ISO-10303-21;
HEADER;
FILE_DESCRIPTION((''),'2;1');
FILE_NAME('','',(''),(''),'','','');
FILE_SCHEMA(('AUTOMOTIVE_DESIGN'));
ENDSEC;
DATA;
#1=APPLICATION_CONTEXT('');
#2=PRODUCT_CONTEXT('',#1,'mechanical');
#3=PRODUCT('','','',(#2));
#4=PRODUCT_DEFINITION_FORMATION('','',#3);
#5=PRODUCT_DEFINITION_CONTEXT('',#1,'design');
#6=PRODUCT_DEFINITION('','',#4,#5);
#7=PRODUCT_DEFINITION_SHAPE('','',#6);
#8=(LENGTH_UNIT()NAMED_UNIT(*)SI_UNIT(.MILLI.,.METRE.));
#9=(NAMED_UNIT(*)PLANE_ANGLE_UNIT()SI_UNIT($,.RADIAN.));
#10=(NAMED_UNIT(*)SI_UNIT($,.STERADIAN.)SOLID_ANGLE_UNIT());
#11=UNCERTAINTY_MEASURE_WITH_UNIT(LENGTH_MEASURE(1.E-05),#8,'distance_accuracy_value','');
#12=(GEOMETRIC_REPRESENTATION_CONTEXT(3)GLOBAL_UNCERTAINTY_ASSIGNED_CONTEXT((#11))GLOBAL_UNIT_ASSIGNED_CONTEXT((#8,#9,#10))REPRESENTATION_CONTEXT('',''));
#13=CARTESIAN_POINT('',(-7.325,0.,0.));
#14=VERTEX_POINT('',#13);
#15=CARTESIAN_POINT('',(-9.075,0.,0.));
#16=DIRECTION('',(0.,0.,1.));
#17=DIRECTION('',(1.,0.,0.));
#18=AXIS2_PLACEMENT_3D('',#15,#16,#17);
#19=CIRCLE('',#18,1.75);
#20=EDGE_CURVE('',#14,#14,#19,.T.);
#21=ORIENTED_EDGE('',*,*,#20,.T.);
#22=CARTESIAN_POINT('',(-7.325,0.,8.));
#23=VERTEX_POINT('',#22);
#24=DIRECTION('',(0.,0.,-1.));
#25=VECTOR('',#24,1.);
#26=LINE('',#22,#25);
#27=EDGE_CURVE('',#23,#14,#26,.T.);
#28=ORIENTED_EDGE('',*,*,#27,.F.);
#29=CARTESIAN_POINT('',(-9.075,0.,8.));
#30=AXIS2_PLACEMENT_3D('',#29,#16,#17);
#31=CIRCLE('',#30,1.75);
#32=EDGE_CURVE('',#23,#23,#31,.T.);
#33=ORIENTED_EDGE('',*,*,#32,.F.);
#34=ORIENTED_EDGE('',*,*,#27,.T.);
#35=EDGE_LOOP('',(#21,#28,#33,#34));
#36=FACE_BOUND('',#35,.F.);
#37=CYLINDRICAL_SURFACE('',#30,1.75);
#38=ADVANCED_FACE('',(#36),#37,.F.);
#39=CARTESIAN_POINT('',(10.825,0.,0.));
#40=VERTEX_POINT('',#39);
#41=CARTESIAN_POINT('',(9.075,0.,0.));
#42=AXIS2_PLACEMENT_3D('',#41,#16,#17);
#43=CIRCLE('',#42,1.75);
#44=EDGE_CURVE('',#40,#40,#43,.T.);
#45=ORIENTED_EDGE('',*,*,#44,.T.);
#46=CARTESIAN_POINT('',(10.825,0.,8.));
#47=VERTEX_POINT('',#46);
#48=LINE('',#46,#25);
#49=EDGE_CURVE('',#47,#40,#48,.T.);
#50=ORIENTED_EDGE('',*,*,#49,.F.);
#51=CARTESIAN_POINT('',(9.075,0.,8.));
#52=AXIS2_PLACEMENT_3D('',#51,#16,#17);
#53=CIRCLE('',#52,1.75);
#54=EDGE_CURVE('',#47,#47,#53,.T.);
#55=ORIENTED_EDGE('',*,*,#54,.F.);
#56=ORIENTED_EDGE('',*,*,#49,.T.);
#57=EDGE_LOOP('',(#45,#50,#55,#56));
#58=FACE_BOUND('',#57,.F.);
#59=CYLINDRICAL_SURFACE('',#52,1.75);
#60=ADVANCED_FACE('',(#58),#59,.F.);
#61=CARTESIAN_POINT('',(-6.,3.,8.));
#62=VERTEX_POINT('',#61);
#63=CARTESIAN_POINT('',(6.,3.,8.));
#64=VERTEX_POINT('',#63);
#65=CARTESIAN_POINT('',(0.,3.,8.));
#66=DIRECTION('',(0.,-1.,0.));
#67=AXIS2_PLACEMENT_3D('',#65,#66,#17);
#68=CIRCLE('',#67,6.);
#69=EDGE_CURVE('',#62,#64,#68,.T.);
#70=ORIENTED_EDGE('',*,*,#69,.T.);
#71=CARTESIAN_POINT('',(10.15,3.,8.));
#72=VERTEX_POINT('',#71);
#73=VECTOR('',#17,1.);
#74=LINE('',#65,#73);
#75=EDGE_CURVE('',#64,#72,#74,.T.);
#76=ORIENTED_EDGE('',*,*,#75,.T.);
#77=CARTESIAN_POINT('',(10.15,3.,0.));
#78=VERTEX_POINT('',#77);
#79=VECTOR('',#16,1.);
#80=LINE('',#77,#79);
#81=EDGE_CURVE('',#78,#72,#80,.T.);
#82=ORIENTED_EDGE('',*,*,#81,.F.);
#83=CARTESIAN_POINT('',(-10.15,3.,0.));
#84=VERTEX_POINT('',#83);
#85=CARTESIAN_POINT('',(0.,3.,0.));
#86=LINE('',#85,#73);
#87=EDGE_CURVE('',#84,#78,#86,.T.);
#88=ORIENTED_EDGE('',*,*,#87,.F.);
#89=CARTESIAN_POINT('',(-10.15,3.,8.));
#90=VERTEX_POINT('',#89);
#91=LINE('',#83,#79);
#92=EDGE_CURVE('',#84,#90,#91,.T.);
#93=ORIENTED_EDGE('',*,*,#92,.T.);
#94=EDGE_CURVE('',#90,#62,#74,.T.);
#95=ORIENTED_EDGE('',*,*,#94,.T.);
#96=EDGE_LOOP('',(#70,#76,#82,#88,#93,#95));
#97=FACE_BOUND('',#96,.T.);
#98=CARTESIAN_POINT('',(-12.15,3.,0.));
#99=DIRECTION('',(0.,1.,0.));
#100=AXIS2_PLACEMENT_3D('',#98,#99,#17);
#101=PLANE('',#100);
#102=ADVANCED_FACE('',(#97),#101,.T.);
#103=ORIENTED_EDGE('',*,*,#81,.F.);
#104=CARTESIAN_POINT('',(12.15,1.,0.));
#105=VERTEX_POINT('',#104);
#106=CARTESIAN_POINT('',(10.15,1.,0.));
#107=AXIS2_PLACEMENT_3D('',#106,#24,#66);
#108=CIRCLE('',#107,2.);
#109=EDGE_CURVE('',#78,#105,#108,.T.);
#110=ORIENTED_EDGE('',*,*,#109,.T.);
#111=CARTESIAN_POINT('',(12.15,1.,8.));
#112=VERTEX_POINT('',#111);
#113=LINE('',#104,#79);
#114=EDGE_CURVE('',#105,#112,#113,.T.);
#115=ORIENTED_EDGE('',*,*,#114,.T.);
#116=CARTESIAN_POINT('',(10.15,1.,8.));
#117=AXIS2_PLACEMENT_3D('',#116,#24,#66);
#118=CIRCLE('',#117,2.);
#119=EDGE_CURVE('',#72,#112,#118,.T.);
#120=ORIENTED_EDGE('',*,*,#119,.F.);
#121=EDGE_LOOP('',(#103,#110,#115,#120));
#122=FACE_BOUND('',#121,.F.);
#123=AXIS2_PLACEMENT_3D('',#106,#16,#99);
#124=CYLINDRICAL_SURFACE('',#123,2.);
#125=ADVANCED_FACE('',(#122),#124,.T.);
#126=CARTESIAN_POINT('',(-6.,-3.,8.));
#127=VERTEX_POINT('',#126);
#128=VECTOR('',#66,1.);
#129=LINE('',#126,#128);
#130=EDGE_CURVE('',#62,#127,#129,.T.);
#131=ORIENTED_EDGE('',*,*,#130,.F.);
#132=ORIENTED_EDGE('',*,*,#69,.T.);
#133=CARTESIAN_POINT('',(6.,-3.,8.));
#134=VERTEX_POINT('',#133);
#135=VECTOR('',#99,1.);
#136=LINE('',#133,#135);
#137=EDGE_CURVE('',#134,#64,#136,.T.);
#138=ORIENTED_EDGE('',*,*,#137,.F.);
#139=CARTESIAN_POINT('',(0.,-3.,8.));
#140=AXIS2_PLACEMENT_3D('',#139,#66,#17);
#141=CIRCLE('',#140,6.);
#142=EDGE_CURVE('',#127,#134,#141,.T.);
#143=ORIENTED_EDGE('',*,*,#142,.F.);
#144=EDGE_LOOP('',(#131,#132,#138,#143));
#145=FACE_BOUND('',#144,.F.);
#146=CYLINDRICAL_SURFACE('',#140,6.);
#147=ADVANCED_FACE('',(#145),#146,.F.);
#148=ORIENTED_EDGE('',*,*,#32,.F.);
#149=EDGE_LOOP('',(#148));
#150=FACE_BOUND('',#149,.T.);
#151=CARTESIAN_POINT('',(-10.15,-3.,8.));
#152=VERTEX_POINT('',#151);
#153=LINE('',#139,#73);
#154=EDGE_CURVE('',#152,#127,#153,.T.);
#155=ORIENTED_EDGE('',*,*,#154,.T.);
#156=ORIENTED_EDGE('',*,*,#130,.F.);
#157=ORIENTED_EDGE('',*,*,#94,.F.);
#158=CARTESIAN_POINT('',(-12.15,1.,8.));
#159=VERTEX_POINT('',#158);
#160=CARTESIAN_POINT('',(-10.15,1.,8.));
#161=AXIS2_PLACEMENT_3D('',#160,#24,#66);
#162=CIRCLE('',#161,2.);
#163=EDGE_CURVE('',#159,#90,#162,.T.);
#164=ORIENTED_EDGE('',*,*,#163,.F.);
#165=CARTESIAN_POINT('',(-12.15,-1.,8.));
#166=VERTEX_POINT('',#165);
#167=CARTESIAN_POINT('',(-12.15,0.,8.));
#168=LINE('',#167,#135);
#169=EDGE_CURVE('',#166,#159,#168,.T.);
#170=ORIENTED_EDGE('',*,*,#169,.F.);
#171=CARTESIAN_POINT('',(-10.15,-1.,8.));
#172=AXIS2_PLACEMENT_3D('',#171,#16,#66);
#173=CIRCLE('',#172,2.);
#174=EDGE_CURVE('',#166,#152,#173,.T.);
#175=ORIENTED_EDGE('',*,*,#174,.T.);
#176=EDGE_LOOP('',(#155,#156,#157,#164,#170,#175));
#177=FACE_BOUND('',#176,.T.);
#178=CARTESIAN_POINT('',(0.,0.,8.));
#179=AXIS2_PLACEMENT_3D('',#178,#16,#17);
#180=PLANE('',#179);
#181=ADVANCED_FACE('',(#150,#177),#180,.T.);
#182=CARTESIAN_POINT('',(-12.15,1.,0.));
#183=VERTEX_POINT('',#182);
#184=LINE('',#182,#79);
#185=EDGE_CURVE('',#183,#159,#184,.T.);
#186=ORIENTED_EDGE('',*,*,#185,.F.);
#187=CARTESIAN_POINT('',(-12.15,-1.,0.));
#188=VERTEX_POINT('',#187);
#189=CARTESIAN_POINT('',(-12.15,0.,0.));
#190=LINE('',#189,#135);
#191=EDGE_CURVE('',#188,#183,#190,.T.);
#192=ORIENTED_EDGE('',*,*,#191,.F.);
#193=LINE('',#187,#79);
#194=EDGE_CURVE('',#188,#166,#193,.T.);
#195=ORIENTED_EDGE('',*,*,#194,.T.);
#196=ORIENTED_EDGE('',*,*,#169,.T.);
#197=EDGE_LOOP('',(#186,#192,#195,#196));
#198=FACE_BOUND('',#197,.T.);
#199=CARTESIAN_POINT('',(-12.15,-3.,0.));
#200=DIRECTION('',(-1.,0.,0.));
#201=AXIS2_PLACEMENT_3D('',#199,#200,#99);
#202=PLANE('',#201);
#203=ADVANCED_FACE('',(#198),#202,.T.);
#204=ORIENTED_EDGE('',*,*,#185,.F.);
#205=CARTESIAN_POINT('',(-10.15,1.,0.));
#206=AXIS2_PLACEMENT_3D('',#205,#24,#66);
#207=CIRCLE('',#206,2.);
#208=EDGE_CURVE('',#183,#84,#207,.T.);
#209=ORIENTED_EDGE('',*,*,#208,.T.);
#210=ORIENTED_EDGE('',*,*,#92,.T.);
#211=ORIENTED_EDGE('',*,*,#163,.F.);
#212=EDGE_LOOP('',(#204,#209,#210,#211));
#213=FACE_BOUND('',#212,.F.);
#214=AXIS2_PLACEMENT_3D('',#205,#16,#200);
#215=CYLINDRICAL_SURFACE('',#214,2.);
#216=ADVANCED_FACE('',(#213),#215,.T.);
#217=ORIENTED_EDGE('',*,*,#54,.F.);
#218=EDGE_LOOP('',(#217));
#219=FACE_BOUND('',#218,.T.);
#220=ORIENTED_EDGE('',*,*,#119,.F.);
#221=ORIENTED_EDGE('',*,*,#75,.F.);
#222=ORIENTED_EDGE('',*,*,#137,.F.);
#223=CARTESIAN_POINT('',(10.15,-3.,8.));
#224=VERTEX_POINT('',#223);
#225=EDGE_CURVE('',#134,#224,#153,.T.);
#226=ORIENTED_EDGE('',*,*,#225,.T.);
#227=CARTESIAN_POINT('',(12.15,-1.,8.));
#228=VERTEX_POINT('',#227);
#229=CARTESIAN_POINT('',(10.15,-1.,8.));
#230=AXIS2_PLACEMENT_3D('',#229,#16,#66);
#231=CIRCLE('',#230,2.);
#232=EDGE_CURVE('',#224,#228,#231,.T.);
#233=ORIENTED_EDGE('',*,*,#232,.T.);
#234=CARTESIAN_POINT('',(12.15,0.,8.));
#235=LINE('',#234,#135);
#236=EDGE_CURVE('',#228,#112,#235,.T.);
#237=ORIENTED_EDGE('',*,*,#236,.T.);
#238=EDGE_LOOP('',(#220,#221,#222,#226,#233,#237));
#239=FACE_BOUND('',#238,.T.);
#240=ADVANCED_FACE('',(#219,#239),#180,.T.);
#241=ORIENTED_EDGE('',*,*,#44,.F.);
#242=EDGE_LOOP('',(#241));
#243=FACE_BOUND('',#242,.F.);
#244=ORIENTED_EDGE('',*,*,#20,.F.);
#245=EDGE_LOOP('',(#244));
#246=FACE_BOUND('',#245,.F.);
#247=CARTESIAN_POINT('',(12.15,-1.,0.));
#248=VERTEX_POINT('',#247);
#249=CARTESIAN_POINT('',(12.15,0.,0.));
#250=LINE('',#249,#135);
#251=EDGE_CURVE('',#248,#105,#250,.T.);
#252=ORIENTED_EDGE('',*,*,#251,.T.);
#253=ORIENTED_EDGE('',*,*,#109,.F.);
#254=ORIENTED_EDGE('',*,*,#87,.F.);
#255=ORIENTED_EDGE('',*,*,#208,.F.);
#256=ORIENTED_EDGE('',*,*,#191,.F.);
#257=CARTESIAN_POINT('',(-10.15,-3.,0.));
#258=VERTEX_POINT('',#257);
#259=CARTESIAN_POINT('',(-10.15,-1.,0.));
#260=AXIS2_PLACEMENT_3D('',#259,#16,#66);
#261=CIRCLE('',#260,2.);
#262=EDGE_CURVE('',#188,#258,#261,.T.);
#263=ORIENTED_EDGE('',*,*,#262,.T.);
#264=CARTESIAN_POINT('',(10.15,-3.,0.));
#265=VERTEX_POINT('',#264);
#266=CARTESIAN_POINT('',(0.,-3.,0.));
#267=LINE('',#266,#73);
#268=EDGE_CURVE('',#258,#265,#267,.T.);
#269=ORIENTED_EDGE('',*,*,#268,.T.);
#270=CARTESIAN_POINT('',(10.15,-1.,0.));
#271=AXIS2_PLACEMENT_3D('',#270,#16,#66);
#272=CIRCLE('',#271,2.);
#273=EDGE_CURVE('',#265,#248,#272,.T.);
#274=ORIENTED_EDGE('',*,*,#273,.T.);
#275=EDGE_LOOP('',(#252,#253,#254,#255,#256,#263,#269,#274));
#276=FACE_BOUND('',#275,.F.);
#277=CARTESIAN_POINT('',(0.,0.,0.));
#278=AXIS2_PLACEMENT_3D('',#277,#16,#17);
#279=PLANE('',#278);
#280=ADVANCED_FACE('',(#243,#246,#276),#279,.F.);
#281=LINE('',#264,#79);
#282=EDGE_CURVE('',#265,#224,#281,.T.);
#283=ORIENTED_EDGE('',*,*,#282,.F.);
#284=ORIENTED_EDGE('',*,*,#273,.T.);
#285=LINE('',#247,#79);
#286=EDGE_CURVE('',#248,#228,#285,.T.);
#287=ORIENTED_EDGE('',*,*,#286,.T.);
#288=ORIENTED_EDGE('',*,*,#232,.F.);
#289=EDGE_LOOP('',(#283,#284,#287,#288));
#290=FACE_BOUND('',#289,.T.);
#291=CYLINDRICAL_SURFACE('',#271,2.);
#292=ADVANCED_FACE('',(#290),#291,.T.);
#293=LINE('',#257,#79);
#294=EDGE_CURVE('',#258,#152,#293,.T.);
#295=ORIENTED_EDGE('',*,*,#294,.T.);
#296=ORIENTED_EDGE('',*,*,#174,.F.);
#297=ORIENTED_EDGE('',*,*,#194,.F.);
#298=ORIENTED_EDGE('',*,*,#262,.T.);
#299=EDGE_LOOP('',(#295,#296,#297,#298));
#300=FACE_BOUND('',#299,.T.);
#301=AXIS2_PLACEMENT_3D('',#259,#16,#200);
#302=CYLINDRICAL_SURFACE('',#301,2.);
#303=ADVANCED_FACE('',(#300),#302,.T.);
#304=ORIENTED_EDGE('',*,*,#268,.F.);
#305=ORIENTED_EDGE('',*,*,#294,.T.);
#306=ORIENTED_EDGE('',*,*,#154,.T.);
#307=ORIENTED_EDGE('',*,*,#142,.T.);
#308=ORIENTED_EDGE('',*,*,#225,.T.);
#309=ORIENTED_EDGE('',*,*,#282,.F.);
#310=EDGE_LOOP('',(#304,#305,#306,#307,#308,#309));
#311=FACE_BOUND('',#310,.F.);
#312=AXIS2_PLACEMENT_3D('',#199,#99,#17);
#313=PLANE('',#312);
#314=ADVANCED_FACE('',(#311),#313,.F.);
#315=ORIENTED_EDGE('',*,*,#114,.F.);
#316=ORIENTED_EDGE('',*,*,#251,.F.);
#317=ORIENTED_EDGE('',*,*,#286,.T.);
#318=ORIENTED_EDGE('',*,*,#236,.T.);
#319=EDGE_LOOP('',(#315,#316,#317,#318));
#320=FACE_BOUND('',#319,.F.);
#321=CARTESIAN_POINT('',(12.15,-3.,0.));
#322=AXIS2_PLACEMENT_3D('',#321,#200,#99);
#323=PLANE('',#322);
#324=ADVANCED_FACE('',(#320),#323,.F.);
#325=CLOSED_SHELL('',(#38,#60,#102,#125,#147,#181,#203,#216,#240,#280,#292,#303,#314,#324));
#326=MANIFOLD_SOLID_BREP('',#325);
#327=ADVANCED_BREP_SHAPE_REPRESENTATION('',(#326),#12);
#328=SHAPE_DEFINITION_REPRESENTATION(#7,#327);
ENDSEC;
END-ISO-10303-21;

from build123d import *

# Parameters (mm, degrees)
F0_W     = 24.3
F0_H     = 6
F1_DEPTH = 8
F2_R     = 6
F3_DEPTH = 6.001
F4_R     = 1.75
F5_DEPTH = 8.001
F6_R     = 2


with BuildPart() as f1:
    # F0 (on Top) → F1 (new body)
    with BuildSketch(Plane.XY):
        Rectangle(F0_W, F0_H)
    extrude(amount=F1_DEPTH)

    # F2 (on face) → F3 (cut, through all)
    with BuildSketch(Plane.XZ.offset(3)):
        with Locations((0, 8)):
            Circle(F2_R)
    extrude(amount=-F3_DEPTH, mode=Mode.SUBTRACT)

    # F4 (on face) → F5 (cut, through all)
    with BuildSketch(Plane.XY.offset(8)):
        with Locations((-9.075, 0)):
            Circle(F4_R)
        with Locations((9.075, 0)):
            Circle(F4_R)
    extrude(amount=-F5_DEPTH, mode=Mode.SUBTRACT)

    # F6
    f6_edges = [f1.edges().sort_by_distance(p)[0] for p in [
        (-12.15, -3, 4),
        (-12.15, 3, 4),
        (12.15, -3, 4),
        (12.15, 3, 4),
    ]]
    fillet(f6_edges, radius=F6_R)


solid = f1.part
